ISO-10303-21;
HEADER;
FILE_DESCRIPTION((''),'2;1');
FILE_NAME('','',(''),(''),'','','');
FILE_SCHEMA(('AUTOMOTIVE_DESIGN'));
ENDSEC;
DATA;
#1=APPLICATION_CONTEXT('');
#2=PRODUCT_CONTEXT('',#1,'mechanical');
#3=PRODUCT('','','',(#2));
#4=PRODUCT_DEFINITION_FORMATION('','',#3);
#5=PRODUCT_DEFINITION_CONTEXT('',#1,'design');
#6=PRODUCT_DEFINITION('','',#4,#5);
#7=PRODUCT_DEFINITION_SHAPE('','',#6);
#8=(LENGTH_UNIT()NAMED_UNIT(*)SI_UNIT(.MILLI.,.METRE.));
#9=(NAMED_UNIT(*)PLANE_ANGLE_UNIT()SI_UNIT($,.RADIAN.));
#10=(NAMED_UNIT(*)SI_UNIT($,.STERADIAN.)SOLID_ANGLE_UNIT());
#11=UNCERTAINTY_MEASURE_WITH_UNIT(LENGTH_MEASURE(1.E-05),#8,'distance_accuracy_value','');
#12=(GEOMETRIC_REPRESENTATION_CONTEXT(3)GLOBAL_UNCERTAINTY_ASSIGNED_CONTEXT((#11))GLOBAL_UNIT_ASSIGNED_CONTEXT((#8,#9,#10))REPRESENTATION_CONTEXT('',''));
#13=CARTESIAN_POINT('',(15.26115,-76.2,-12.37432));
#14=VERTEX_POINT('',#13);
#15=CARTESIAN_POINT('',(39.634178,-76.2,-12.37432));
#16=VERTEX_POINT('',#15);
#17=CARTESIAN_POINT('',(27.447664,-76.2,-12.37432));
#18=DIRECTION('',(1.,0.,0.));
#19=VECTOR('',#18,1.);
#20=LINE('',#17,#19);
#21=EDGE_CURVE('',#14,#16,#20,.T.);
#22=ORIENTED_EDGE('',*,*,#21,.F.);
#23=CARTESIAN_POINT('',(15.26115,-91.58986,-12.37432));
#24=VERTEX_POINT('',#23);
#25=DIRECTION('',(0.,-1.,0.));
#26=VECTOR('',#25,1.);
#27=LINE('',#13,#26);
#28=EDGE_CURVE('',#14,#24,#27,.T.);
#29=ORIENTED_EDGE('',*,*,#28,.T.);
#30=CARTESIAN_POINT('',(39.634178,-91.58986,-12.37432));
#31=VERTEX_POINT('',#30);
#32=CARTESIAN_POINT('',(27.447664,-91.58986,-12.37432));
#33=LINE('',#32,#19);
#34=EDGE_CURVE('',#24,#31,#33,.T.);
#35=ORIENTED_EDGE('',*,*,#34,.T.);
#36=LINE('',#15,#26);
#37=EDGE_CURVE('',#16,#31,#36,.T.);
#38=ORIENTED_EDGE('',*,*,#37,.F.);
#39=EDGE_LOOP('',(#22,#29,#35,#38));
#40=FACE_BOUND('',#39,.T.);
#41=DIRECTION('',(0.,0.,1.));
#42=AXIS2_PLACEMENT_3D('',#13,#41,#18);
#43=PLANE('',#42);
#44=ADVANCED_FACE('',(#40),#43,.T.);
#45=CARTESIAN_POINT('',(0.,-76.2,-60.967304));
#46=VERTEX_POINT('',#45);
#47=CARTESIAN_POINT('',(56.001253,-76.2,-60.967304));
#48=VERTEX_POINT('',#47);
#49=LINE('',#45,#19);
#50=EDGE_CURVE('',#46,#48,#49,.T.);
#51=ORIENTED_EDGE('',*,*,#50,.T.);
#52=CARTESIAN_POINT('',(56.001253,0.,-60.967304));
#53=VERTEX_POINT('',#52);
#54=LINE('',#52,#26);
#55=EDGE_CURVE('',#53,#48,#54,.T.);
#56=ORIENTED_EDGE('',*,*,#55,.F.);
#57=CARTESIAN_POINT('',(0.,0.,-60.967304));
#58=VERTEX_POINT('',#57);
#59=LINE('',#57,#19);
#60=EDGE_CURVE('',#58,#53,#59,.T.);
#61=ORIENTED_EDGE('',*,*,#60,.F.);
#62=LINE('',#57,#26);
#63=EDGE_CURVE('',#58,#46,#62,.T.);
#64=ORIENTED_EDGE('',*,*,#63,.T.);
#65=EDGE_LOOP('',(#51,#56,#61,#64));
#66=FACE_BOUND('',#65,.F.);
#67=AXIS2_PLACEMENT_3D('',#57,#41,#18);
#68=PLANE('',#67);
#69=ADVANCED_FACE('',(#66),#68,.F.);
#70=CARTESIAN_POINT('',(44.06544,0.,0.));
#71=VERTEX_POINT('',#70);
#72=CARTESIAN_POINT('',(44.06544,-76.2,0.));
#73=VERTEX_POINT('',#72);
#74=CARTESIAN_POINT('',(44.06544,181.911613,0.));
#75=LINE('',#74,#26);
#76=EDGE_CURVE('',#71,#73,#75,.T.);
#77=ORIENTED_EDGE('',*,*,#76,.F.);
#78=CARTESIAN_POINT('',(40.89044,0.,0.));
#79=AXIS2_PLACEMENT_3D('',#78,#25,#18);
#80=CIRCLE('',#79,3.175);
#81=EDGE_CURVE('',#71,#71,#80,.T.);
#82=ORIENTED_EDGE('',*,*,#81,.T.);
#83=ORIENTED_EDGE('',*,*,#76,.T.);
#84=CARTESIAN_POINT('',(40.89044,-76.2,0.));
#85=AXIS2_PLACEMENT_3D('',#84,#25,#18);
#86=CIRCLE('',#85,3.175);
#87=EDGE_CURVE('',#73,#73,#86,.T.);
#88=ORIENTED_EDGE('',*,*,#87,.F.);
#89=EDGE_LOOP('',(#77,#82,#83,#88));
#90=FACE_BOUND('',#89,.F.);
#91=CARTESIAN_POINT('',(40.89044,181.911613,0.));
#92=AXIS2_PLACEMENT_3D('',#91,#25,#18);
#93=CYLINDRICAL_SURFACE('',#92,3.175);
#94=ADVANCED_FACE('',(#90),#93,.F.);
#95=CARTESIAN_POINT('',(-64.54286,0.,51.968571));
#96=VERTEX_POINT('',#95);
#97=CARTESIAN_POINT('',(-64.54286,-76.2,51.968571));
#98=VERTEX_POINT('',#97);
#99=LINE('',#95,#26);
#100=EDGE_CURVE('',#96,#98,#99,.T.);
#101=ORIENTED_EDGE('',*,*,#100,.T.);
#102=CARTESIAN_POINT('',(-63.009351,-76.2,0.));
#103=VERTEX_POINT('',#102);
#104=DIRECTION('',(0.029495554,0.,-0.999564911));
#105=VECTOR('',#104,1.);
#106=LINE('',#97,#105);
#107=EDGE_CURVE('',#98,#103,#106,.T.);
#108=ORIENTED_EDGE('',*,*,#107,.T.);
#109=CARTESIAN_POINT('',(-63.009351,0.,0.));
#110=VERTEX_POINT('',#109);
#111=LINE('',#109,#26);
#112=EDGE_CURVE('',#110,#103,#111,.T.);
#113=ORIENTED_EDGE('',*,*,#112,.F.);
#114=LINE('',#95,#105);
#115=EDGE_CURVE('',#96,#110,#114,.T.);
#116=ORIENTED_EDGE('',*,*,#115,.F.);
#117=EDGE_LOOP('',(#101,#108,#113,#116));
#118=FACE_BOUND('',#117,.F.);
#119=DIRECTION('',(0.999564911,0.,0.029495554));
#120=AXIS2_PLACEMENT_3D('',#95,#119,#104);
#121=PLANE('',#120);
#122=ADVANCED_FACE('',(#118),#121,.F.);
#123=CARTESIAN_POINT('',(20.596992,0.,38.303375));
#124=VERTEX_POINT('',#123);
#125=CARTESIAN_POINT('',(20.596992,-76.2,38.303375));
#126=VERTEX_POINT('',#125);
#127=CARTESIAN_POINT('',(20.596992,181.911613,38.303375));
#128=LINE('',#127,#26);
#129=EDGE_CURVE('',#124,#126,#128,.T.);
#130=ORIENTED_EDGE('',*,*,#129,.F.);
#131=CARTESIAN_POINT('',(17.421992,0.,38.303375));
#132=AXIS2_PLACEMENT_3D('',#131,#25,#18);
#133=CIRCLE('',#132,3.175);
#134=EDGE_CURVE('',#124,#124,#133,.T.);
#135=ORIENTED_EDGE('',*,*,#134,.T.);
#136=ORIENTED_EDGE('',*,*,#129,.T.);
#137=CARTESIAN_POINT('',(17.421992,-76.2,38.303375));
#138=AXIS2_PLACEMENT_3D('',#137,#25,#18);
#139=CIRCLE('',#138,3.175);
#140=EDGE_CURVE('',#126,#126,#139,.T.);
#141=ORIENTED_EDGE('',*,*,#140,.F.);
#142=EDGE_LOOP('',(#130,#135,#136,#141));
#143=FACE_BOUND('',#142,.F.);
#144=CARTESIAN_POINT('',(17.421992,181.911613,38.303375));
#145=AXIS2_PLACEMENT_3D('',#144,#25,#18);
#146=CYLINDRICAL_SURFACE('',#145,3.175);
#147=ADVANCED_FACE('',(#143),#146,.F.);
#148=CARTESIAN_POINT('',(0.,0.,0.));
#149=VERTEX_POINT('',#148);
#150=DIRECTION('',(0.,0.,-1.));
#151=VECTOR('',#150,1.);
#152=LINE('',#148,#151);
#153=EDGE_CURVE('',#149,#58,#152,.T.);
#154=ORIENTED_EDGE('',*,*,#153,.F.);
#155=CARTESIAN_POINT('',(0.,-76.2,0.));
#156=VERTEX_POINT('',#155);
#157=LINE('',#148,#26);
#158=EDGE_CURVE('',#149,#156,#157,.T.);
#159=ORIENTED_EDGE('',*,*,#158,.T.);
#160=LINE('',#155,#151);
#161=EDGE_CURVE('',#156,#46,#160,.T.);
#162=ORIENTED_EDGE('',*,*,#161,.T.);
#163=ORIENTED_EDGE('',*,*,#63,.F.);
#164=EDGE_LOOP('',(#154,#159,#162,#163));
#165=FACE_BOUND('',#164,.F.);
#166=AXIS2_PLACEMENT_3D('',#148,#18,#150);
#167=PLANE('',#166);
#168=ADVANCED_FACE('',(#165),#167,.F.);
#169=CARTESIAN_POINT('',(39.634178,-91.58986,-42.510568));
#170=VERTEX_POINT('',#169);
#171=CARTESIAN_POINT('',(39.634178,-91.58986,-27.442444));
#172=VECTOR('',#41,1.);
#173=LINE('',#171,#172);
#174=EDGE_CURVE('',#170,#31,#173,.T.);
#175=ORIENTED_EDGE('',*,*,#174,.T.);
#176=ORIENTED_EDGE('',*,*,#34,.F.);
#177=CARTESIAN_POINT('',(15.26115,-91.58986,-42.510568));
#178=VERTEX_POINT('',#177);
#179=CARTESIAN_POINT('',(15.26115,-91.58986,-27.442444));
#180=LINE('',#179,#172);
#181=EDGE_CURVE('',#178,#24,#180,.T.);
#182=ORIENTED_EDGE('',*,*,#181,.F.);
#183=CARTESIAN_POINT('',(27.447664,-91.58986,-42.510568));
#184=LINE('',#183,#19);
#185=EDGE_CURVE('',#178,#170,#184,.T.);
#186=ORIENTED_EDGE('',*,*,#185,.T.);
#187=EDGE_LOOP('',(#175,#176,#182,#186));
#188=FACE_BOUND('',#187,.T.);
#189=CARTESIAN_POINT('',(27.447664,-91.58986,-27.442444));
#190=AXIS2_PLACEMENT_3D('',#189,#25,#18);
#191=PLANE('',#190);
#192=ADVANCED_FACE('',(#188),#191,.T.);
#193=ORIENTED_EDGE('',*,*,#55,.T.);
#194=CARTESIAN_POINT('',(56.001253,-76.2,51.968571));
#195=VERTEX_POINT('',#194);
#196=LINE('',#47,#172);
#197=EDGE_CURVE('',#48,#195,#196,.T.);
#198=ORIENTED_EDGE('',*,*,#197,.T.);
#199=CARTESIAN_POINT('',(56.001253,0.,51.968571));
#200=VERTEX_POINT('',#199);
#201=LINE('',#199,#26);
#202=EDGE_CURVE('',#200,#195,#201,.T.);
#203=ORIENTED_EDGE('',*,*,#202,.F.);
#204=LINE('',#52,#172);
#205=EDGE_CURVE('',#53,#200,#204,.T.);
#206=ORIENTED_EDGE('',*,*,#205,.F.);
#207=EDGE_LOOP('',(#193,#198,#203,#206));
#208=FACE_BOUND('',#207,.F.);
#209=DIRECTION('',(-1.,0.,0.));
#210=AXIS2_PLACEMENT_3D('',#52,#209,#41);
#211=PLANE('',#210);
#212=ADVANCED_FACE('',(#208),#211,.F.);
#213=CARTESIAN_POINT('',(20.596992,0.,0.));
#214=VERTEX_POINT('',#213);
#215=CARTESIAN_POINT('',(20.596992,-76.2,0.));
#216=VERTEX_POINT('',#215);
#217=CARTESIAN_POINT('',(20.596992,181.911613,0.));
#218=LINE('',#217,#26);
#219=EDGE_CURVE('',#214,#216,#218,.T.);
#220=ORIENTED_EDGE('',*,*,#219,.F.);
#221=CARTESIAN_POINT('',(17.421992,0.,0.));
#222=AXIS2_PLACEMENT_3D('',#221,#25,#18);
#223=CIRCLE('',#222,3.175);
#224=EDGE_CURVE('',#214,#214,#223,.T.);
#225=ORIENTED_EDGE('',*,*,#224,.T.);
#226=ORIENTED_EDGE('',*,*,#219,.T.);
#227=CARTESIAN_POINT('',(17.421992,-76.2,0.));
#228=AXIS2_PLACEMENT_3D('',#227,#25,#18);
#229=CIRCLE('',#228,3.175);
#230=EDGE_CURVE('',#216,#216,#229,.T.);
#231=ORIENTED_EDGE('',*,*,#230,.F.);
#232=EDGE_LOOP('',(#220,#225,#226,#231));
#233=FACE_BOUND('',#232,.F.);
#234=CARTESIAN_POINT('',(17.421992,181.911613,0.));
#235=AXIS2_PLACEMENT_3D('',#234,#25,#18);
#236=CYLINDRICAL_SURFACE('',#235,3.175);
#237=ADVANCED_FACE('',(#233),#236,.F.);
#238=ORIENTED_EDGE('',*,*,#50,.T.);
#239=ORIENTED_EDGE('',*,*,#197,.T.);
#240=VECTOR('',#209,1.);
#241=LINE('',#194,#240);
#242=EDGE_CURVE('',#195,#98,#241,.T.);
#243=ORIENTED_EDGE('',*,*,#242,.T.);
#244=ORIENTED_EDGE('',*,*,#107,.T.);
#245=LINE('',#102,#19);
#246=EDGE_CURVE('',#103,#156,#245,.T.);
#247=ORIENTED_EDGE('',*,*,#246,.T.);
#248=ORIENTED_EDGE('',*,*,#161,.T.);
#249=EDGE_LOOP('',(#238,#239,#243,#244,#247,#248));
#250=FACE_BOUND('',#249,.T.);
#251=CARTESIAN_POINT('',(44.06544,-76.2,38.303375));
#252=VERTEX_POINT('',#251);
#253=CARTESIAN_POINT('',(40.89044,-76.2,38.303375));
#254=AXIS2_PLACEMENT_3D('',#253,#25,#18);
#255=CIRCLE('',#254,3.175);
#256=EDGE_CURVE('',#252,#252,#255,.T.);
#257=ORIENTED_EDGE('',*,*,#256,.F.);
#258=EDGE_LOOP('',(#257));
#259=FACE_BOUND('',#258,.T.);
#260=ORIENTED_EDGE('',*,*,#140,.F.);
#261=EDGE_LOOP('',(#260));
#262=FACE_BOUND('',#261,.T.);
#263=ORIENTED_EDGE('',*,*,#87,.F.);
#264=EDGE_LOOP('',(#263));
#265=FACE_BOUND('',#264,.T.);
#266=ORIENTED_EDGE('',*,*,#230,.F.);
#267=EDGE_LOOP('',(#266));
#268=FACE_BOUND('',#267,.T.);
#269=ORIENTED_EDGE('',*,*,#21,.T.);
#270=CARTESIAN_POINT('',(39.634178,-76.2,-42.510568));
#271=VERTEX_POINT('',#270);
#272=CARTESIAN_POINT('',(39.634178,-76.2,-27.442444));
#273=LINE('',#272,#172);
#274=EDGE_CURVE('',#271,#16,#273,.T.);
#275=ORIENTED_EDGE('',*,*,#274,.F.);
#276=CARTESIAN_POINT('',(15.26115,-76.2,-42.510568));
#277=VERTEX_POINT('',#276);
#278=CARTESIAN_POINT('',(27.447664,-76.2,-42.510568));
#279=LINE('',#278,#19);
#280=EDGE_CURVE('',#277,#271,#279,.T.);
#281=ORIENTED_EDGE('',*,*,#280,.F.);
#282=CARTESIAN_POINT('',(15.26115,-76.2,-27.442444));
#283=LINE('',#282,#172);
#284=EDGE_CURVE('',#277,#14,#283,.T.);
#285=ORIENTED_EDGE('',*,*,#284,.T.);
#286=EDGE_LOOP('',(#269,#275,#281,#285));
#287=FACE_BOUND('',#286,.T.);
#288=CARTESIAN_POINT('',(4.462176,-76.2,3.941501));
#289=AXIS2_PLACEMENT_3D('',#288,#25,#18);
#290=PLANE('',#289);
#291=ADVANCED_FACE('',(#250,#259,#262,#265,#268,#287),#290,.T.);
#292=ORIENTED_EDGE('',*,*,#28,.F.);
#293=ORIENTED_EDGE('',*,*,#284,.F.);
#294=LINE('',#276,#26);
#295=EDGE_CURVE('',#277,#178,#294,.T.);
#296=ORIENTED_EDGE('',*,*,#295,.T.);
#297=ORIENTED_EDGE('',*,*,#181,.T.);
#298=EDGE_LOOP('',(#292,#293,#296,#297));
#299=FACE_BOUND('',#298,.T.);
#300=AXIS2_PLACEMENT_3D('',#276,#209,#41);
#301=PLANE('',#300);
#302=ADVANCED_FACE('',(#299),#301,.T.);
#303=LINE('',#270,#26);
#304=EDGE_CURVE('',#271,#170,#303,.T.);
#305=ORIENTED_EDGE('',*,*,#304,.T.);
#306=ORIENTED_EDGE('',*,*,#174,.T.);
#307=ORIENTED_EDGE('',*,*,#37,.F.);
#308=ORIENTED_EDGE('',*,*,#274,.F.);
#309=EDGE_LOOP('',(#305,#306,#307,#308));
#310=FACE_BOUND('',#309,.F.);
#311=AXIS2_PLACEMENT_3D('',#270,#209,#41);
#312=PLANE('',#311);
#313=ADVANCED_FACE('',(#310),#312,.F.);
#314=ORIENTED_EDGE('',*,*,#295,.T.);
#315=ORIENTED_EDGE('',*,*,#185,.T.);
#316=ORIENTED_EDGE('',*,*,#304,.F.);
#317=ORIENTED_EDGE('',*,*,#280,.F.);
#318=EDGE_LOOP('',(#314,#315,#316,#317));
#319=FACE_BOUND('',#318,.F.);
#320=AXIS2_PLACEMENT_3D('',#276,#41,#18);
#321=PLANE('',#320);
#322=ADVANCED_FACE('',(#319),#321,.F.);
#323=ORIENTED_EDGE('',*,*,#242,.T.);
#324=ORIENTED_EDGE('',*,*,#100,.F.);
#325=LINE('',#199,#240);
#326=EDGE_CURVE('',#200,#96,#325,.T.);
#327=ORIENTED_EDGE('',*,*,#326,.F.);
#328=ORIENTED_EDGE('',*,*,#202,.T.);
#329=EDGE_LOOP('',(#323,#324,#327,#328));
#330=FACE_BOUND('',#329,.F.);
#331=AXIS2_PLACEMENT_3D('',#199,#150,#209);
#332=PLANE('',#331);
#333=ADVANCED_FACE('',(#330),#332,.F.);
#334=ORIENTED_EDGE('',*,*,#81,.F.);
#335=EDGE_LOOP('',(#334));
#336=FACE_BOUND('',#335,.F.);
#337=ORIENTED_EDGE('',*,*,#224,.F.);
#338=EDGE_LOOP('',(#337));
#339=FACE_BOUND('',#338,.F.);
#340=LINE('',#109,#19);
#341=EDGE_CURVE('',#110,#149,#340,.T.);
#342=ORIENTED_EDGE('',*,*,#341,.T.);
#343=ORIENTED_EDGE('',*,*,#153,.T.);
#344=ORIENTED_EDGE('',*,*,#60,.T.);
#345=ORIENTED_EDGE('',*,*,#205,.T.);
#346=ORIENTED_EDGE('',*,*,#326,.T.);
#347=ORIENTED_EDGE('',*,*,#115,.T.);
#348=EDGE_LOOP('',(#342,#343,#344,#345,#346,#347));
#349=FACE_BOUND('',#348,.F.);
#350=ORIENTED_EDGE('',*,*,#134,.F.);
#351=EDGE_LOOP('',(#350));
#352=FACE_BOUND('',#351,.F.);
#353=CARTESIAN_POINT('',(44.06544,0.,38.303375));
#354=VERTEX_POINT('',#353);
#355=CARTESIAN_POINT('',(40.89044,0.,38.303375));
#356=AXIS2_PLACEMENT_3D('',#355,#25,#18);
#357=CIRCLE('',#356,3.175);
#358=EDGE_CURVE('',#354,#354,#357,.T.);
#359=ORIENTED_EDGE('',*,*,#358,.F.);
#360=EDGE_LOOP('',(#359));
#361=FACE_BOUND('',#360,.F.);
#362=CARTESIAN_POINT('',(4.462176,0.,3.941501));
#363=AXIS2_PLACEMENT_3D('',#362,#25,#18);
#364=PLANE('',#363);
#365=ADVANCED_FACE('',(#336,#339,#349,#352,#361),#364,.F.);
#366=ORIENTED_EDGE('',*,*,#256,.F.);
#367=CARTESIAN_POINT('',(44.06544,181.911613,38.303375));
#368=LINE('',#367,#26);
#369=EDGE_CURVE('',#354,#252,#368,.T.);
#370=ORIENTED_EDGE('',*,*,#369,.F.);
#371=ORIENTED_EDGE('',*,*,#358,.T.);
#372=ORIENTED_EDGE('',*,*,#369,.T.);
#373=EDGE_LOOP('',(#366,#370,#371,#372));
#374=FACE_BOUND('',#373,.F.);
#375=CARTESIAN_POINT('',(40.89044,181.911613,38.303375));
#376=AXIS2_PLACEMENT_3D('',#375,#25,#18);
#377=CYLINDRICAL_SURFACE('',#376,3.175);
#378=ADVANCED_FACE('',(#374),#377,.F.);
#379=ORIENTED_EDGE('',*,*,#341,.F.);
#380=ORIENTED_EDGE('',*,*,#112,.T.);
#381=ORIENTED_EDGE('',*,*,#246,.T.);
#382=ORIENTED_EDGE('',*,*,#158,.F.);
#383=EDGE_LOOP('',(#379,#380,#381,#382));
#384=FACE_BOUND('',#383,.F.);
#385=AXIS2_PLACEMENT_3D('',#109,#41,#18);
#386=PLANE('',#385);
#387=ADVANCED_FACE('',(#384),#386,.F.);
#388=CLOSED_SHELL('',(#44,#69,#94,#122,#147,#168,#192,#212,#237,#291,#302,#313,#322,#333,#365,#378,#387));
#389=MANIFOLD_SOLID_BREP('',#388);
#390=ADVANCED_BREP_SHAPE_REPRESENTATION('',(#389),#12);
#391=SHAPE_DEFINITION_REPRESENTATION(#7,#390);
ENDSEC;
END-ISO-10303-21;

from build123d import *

# Parameters (mm, degrees)
F1_DEPTH = 76.2
F3_D     = 6.35
F4_W     = 24.373029
F4_H     = 30.136249
F5_DEPTH = 15.38986


with BuildPart() as f1:
    # F0 (on Front) → F1 (new body)
    with BuildSketch(Plane.XZ):
        Polygon((-64.54286, 51.968571), (-63.009351, 0), (0, 0), (0, -60.967304), (56.001253, -60.967304), (56.001253, 51.968571), align=None)
    extrude(amount=F1_DEPTH)

    # F3 (through all)
    with Locations(Plane(origin=(0, 0, 0), x_dir=(-1, 0, 0), z_dir=(0, 1, 0))):
        with Locations((-40.89044, 38.303375), (-17.421992, 38.303375), (-17.421992, 0), (-40.89044, 0)):
            Hole(F3_D / 2)

    # F4 (on face) → F5 (join)
    with BuildSketch(Plane.XZ.offset(76.2)):
        with Locations((27.447664, -27.442444)):
            Rectangle(F4_W, F4_H)
    extrude(amount=F5_DEPTH)


solid = f1.part
